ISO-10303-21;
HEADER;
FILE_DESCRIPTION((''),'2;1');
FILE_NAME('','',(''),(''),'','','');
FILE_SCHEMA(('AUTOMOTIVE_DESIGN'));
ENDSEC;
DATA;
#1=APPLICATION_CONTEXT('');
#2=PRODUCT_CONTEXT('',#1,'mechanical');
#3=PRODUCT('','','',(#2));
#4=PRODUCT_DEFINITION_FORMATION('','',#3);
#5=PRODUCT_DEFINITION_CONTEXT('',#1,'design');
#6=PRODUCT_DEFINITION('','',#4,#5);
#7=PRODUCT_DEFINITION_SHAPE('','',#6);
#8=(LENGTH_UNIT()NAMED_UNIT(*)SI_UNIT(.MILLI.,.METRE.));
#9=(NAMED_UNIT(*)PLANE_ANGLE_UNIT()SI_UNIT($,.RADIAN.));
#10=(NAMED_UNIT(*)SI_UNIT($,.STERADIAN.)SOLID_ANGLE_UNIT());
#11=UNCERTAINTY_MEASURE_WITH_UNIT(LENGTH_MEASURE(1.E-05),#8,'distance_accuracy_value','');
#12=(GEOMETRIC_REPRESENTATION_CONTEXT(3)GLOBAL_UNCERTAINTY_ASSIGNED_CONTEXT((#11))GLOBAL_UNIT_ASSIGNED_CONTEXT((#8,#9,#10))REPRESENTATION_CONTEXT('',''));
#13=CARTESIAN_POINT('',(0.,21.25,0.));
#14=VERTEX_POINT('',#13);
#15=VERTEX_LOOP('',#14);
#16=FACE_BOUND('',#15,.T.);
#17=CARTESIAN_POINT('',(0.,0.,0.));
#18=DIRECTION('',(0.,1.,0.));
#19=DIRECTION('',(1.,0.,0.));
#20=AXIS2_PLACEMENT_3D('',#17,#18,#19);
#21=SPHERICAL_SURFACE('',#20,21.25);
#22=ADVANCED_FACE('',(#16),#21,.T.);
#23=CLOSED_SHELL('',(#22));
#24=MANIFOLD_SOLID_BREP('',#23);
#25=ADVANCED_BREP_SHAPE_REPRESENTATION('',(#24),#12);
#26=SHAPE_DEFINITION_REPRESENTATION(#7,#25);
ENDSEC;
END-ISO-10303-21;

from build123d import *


with BuildPart() as part:
    # 草图1 → 旋转2 (revolve)
    with BuildSketch(Plane.XY):
        with BuildLine():
            Line((0, 21.25), (0, -21.25))
            ThreePointArc((0, -21.25), (21.25, 0), (0, 21.25))
        make_face()
    revolve(axis=Axis((0, 21.25, 0), (0, -1, 0)))


solid = part.part
